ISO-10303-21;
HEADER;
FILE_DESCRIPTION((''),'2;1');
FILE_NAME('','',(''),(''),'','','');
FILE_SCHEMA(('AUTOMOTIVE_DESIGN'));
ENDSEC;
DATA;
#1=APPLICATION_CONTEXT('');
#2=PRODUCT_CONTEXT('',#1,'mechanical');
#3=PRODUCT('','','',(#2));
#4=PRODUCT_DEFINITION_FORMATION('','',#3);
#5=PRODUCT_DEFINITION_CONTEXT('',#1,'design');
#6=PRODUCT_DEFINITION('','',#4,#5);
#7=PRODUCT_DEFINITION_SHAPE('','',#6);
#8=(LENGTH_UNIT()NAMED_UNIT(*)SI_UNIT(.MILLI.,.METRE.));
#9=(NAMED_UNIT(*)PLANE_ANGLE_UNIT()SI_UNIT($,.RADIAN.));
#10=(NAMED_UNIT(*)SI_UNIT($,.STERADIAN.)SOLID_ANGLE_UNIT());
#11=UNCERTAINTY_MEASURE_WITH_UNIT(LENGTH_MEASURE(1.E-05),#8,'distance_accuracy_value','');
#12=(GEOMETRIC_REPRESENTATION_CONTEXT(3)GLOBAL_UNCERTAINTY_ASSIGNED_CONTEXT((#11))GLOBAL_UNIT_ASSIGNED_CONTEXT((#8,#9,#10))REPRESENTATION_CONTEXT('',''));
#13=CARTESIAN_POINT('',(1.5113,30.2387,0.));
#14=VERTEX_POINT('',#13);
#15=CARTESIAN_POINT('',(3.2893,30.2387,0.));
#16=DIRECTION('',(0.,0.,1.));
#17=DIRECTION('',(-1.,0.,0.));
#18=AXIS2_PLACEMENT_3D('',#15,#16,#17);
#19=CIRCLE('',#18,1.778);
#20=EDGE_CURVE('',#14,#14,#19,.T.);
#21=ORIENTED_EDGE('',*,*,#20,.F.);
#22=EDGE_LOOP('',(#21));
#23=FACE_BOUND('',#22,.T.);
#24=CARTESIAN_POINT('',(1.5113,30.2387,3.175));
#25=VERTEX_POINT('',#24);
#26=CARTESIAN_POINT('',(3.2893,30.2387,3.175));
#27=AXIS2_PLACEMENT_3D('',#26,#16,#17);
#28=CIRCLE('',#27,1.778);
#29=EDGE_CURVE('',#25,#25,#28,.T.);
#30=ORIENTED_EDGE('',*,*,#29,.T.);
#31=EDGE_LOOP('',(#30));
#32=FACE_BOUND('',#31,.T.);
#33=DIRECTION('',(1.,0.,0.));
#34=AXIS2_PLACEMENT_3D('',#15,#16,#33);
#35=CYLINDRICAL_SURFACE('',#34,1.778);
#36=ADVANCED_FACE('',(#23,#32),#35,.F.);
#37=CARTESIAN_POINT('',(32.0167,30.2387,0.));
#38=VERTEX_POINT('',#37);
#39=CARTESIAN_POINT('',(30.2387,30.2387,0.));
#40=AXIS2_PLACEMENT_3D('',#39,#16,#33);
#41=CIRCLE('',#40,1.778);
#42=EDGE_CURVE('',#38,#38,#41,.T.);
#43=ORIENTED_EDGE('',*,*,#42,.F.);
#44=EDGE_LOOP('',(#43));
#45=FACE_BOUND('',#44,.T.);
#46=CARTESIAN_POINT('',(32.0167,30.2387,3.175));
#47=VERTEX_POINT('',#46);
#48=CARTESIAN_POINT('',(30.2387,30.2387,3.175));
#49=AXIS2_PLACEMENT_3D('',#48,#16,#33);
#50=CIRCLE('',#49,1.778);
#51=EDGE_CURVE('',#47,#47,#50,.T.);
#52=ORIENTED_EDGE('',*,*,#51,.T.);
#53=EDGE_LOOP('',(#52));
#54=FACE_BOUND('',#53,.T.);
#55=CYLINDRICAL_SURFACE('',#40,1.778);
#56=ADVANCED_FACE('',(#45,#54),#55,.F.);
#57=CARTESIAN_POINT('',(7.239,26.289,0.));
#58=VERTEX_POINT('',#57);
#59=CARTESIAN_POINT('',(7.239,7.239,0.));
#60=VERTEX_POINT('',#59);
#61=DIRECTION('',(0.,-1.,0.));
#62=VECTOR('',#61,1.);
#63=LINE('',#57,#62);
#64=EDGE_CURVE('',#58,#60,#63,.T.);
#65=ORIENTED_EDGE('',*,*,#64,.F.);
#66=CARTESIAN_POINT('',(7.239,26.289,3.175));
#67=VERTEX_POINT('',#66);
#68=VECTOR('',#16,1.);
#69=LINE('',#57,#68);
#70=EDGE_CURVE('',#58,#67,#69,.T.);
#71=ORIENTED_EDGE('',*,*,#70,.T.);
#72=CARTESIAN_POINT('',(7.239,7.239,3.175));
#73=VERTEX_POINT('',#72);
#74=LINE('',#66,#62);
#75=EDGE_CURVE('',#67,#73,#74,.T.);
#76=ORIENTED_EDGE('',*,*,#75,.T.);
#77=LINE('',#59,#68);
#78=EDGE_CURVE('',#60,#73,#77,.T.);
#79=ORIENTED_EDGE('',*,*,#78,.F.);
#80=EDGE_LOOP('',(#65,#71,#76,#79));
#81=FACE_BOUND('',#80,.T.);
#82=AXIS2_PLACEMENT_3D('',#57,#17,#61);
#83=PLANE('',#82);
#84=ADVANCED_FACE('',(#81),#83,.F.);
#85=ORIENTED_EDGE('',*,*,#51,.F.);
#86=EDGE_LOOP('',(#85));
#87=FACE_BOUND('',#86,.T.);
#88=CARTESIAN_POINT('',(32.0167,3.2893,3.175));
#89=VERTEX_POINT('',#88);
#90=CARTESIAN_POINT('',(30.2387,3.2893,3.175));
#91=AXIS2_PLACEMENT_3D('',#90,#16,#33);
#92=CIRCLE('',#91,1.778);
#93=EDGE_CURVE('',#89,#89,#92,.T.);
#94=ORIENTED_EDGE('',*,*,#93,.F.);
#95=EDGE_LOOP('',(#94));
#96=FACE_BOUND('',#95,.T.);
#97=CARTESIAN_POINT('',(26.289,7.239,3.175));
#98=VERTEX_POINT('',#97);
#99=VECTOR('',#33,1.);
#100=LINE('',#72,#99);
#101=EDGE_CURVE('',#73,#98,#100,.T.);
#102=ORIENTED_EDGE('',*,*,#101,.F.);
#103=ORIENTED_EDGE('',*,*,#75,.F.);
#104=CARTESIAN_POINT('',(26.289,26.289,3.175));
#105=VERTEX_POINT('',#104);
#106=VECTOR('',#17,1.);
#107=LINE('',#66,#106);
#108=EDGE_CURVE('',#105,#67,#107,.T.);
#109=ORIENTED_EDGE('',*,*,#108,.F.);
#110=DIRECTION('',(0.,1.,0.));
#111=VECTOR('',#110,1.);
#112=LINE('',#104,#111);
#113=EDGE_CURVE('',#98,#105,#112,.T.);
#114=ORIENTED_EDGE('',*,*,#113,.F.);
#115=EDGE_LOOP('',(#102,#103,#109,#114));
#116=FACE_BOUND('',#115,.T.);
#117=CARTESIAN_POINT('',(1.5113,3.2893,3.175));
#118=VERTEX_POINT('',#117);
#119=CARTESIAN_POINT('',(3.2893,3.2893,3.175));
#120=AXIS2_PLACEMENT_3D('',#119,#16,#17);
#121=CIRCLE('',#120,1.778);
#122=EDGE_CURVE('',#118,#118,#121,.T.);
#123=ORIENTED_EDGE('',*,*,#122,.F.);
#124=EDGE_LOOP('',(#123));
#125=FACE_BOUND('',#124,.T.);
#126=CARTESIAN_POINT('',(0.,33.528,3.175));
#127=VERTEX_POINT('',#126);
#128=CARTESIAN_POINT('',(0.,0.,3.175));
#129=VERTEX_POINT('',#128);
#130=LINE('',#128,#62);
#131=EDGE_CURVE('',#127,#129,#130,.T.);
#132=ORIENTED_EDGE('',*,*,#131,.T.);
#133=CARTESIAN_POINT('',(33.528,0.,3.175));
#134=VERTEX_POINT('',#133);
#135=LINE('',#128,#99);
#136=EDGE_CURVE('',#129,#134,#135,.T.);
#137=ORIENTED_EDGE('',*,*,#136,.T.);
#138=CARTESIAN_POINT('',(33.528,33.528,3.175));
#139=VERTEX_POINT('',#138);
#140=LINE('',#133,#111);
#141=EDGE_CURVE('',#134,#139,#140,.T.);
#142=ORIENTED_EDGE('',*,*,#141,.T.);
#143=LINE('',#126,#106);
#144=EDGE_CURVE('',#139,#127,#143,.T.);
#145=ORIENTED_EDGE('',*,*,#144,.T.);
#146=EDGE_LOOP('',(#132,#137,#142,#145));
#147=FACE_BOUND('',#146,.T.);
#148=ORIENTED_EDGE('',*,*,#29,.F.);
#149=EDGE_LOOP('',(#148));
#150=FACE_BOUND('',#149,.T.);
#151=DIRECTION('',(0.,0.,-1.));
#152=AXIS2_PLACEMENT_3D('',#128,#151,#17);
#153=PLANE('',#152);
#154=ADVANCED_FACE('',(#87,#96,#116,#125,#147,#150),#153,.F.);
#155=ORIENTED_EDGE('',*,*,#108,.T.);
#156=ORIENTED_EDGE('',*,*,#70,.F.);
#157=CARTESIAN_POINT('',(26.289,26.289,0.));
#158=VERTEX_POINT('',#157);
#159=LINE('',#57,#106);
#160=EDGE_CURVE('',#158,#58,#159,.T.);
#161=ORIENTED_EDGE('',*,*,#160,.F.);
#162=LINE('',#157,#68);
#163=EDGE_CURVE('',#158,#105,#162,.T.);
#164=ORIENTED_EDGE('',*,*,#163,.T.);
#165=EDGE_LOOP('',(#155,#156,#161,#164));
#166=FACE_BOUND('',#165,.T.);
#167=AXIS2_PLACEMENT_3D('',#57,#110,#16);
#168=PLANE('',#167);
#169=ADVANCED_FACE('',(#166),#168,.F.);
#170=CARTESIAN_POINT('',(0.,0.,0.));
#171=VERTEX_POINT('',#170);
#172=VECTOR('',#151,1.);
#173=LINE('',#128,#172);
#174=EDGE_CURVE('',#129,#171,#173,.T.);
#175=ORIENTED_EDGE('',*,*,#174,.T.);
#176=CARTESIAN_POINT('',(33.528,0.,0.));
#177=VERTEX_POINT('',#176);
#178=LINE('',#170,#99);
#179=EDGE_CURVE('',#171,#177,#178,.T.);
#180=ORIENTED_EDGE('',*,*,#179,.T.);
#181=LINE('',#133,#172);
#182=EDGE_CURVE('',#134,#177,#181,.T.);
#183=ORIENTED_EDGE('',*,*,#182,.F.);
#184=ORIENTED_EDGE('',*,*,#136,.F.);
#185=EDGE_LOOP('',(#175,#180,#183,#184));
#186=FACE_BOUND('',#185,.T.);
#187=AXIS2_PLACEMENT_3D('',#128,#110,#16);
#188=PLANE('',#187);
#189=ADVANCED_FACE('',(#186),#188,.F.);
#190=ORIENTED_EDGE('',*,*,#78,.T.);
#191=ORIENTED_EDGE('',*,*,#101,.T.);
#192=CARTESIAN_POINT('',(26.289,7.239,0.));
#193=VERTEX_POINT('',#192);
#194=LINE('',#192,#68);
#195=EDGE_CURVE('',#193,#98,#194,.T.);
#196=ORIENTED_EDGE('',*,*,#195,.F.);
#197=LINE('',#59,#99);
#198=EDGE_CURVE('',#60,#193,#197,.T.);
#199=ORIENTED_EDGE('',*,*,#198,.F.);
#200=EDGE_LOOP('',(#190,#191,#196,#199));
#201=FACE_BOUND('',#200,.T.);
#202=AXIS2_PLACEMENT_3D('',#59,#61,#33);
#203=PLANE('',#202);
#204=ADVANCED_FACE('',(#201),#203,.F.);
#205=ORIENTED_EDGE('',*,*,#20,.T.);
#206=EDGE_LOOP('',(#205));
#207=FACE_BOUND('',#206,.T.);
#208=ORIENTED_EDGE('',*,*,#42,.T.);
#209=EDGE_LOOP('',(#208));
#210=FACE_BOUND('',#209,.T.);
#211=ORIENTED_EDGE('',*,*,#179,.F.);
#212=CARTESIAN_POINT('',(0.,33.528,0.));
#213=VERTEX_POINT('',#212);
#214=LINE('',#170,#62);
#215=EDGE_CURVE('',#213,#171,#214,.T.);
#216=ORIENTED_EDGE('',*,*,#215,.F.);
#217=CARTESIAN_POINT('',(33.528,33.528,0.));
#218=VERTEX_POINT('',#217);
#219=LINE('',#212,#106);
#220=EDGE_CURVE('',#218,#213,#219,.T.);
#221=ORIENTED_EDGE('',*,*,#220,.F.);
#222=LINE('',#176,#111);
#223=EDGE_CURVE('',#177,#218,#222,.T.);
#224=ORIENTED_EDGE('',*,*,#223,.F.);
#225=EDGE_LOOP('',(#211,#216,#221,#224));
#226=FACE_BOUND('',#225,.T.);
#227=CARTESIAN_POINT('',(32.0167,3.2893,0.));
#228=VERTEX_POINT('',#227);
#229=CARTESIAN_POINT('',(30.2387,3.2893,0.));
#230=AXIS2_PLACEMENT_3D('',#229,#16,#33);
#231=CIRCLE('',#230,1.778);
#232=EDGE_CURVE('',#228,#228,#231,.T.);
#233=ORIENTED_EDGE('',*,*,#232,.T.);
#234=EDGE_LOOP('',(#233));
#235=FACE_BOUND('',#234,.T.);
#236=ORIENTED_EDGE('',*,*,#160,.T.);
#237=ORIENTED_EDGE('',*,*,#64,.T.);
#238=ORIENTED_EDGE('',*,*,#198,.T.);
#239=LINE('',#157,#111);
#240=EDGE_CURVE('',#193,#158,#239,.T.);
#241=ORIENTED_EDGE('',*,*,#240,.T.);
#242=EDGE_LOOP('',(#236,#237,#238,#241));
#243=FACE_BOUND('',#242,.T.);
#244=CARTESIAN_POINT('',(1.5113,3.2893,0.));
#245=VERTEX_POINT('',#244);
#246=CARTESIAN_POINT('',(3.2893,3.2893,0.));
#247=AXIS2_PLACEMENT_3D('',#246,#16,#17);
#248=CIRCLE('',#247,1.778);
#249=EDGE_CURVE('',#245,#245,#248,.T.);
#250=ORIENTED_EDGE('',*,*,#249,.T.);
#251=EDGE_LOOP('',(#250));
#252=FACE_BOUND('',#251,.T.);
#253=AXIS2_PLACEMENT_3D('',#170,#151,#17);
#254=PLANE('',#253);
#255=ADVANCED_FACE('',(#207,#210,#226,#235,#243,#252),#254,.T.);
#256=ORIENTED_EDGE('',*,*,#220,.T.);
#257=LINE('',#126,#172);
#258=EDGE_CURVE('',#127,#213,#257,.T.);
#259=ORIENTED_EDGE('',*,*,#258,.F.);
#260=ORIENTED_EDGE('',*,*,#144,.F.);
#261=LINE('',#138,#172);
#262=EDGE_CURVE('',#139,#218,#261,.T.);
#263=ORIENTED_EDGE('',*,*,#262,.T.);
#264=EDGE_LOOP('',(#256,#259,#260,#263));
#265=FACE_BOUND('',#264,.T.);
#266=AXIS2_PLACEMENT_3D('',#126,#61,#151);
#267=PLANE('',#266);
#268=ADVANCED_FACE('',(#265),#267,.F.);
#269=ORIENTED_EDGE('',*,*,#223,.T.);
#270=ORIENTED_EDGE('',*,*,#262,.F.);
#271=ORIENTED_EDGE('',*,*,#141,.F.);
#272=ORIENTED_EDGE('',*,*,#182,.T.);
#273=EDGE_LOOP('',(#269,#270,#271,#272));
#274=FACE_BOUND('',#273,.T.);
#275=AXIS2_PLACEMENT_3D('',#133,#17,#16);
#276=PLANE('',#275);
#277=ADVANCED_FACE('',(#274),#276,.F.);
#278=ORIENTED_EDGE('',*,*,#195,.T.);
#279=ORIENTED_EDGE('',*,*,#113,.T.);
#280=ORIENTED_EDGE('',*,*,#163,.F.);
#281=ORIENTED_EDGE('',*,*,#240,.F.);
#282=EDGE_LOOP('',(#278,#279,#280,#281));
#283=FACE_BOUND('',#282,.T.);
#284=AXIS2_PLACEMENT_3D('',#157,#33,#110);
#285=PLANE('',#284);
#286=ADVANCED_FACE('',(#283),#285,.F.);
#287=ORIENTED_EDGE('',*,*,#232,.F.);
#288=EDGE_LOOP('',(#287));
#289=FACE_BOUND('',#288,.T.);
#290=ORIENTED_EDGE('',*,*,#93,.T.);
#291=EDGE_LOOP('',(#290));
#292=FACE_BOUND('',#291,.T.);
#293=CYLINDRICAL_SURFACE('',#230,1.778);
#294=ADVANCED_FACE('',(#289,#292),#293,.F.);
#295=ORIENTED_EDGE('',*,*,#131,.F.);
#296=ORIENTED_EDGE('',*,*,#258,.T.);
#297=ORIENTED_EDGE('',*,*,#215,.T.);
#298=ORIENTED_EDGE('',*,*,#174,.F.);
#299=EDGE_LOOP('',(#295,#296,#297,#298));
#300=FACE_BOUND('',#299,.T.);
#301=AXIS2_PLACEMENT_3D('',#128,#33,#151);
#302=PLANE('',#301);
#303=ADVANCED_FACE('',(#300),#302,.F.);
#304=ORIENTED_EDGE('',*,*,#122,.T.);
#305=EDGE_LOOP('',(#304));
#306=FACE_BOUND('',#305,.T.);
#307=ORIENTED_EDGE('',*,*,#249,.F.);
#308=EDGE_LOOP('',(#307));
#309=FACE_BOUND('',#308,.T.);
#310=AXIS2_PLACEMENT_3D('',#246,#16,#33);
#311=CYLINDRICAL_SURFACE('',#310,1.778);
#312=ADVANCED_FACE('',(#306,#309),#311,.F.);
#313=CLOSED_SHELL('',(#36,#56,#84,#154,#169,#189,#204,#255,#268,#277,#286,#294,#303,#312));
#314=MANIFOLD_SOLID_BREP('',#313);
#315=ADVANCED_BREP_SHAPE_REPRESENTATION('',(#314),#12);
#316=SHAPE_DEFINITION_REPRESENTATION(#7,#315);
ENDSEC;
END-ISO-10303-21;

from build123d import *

# Parameters (mm, degrees)
SKETCH1_W           = 33.528
SKETCH1_H           = 33.528
BOSS_EXTRUDE1_DEPTH = 3.175
SKETCH2_W           = 19.05
SKETCH2_H           = 19.05
CUT_EXTRUDE1_DEPTH  = 3.175
SKETCH3_R           = 1.778
CUT_EXTRUDE2_DEPTH  = 3.175


with BuildPart() as part:
    # Sketch1 → Boss-Extrude1 (new body)
    with BuildSketch(Plane.XY):
        with Locations((16.764, 16.764)):
            Rectangle(SKETCH1_W, SKETCH1_H)
    extrude(amount=BOSS_EXTRUDE1_DEPTH)

    # Sketch2 → Cut-Extrude1 (cut)
    with BuildSketch(Plane.XY.offset(3.175)):
        with Locations((16.764, 16.764)):
            Rectangle(SKETCH2_W, SKETCH2_H)
    extrude(amount=-CUT_EXTRUDE1_DEPTH, mode=Mode.SUBTRACT)

    # Sketch3 → Cut-Extrude2 (cut)
    with BuildSketch(Plane.XY.offset(3.175)):
        with Locations((30.2387, 30.2387)):
            Circle(SKETCH3_R)
        with Locations((30.2387, 3.2893)):
            Circle(SKETCH3_R)
        with Locations(Location((3.2893, 3.2893, 0), (0, 0, 180))):
            Circle(SKETCH3_R)
        with Locations(Location((3.2893, 30.2387, 0), (0, 0, 180))):
            Circle(SKETCH3_R)
    extrude(amount=-CUT_EXTRUDE2_DEPTH, mode=Mode.SUBTRACT)


solid = part.part
